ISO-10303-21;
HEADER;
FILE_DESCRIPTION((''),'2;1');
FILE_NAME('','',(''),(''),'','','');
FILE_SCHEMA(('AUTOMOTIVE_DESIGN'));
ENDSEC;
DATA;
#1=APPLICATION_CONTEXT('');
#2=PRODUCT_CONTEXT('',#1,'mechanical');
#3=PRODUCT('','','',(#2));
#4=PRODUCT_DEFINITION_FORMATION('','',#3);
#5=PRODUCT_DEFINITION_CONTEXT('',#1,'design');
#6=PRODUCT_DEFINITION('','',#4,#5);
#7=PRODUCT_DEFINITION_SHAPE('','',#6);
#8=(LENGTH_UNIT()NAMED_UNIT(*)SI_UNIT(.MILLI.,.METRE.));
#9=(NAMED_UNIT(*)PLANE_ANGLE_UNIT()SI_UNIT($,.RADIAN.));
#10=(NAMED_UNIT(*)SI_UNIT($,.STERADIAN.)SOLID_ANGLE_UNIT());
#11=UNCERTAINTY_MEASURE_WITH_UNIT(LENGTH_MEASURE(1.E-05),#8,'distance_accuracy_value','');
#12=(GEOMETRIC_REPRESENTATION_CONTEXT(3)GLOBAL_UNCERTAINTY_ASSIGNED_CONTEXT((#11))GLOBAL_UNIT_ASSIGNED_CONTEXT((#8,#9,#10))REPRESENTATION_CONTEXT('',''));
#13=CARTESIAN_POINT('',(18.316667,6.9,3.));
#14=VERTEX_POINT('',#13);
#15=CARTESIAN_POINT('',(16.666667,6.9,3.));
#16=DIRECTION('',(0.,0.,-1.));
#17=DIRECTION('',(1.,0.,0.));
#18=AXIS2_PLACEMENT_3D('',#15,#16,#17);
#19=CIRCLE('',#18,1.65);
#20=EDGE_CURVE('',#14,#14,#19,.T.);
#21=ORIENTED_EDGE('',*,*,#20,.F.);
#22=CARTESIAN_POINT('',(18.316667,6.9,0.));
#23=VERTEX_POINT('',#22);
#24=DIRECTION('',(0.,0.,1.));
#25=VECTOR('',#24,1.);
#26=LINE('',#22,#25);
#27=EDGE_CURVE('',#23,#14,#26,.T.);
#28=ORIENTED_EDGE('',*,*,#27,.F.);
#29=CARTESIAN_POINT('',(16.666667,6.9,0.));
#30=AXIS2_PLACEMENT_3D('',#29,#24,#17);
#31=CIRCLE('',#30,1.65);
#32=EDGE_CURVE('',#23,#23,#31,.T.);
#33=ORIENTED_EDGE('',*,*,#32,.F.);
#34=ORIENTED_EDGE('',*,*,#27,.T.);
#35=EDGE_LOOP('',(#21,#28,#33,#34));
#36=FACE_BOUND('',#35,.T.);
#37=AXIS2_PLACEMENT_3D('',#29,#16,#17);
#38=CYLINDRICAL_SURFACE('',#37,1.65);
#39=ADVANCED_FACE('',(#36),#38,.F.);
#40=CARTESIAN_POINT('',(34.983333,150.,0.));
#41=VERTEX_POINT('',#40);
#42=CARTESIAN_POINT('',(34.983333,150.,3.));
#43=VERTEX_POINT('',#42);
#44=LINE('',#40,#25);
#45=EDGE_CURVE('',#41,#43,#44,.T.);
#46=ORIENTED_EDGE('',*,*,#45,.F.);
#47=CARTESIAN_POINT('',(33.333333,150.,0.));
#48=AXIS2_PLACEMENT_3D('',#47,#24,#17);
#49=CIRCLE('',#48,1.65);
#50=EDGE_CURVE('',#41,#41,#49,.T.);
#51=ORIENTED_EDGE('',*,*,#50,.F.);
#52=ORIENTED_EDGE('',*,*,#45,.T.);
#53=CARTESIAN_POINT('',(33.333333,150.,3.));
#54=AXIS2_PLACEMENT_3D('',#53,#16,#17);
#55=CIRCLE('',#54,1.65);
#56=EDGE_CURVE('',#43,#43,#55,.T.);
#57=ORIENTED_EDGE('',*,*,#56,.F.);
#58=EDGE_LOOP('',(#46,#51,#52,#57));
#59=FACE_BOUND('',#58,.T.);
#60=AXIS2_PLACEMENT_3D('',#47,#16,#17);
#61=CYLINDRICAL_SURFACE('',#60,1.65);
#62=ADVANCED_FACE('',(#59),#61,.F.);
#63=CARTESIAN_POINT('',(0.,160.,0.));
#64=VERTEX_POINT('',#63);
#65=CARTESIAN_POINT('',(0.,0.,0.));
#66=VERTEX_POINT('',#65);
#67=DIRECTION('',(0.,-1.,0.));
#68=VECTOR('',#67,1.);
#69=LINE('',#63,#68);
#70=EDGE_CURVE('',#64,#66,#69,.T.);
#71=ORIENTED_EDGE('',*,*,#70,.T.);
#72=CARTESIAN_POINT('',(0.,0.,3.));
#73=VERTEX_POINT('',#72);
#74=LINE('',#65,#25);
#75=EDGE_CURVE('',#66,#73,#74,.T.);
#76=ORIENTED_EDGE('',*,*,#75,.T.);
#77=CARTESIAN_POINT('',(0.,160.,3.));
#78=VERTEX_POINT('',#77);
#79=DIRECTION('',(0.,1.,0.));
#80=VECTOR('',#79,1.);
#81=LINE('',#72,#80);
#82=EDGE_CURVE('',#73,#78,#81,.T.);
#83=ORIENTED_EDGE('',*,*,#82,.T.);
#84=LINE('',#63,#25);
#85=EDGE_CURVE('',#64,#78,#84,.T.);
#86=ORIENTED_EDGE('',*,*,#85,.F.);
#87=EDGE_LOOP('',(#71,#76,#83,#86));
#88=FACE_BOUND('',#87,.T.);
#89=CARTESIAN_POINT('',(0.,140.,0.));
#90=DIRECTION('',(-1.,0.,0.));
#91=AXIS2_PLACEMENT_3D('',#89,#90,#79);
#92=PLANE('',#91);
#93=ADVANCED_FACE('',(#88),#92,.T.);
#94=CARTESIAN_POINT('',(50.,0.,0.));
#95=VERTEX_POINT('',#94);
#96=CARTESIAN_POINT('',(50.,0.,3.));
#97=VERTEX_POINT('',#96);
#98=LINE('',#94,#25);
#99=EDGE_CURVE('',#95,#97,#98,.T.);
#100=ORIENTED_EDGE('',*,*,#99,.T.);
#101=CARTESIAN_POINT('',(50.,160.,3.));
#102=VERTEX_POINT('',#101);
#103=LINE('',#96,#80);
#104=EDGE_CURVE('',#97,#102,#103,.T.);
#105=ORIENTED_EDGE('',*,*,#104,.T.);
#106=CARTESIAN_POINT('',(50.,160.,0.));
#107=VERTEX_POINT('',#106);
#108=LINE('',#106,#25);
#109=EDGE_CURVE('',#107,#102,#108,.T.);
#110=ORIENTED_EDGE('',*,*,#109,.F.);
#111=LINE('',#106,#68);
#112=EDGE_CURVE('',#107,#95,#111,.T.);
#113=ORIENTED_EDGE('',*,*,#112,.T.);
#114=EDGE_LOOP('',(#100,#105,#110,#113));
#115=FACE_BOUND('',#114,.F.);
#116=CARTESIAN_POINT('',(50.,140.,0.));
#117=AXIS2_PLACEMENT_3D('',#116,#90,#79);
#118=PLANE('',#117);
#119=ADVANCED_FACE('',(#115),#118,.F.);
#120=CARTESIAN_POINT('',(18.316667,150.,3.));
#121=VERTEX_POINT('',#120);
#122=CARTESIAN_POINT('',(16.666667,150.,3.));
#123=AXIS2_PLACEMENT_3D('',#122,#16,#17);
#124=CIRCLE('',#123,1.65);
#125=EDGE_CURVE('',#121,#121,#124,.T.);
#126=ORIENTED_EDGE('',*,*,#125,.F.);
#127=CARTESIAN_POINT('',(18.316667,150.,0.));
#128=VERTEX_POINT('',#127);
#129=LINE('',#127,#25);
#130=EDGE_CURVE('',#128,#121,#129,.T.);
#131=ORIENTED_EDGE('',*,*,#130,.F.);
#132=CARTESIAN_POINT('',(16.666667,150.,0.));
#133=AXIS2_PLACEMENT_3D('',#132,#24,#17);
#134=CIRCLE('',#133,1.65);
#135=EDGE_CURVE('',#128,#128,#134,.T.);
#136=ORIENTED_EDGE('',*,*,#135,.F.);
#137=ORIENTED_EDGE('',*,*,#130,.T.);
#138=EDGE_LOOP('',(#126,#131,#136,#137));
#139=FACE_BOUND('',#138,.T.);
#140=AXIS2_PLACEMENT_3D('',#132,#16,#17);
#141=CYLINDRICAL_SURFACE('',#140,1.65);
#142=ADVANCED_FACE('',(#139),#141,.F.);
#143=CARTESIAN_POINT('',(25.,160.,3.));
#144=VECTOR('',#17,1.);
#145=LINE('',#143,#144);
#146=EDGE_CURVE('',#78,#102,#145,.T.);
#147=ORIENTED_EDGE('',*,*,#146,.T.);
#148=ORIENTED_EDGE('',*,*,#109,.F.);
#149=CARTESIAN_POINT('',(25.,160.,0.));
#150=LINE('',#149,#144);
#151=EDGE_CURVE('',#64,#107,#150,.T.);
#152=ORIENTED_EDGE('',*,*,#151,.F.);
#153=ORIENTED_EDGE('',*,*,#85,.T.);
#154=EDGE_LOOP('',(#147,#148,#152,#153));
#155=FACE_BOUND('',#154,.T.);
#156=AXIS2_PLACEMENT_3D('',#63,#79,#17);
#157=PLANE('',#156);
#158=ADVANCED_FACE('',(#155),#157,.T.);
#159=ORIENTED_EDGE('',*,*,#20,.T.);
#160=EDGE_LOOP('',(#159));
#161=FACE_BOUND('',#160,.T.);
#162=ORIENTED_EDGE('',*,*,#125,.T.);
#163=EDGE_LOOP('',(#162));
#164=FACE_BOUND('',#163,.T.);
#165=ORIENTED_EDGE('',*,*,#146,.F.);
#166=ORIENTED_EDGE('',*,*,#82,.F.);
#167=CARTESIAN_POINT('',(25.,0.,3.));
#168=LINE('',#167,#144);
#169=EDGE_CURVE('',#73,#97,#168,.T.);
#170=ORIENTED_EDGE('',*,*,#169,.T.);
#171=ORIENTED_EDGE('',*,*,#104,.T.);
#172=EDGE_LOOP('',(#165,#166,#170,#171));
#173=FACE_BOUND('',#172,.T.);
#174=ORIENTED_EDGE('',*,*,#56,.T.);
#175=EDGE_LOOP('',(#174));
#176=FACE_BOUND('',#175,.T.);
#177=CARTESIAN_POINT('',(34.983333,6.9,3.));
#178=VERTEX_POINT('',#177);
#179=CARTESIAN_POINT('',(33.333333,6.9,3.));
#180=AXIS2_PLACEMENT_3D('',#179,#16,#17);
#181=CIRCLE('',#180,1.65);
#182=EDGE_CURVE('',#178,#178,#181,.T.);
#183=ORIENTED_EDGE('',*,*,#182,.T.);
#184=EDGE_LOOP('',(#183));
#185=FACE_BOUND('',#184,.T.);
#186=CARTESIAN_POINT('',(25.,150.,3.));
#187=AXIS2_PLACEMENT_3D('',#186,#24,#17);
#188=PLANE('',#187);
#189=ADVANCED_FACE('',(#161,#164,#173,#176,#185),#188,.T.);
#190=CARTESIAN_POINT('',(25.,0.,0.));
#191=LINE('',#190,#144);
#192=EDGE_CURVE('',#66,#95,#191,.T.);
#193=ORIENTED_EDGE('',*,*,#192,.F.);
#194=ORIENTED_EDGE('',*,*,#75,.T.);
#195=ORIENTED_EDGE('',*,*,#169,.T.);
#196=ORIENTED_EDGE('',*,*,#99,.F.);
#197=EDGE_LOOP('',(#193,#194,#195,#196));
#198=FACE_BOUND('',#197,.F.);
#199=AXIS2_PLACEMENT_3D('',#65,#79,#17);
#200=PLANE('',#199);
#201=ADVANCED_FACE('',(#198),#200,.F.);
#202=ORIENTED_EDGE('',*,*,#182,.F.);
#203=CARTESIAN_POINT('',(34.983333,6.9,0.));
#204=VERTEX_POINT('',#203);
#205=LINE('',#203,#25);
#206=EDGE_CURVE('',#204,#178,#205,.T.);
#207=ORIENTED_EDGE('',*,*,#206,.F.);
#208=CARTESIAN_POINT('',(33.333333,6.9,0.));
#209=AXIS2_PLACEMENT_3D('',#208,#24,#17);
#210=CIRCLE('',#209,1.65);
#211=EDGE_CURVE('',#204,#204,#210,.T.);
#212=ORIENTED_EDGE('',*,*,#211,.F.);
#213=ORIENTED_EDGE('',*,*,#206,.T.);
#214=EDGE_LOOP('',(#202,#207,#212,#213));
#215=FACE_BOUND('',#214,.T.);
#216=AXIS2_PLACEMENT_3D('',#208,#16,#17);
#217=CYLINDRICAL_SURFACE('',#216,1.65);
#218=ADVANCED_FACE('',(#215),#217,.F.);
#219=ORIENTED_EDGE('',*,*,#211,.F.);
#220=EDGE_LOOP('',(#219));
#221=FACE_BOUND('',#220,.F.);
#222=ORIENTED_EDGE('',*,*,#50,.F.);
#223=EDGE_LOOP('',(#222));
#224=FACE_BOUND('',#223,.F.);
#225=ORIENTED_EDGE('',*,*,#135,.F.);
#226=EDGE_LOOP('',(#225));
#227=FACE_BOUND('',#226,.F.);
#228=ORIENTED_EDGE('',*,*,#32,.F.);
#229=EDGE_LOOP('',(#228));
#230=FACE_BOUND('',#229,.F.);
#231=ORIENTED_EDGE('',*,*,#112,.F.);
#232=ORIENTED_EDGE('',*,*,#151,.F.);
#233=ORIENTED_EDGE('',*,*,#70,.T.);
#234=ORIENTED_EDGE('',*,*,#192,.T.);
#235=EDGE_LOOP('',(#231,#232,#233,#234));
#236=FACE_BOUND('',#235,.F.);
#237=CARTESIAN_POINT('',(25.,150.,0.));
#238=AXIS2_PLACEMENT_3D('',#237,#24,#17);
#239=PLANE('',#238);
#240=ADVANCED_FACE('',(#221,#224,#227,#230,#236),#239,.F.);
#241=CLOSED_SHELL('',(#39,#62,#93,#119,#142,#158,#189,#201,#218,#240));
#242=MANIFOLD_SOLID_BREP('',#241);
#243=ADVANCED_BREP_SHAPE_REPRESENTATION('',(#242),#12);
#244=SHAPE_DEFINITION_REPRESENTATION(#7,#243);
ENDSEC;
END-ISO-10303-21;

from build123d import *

# Parameters (mm, degrees)
SKETCH001_W          = 50
SKETCH001_H          = 16.9
PAD_DEPTH            = 3
SKETCH002_W          = 50
SKETCH002_H          = 50
PAD001_DEPTH         = 3
SKETCH003_W          = 50
SKETCH003_H          = 20
PAD002_DEPTH         = 3
SKETCH004_W          = 50
SKETCH004_H          = 53.1
PAD003_DEPTH         = 3
SKETCH005_W          = 50
SKETCH005_H          = 20
PAD004_DEPTH         = 3
SKETCH006_R          = 1.65
POCKET_DEPTH         = 3.001
SKETCH_R             = 1.65
POCKET001_DEPTH      = 0.001
POCKET001_DEPTH_BACK = 3.001


with BuildPart() as part:
    # Sketch001 → Pad (new body)
    with BuildSketch(Plane.XY):
        with Locations((25, 8.45)):
            Rectangle(SKETCH001_W, SKETCH001_H)
    extrude(amount=PAD_DEPTH)

    # Sketch002 → Pad001 (join)
    with BuildSketch(Plane(origin=(0, 16.9, 0), x_dir=(1, 0, 0), z_dir=(0, 0, 1))):
        with Locations((25, 25)):
            Rectangle(SKETCH002_W, SKETCH002_H)
    extrude(amount=PAD001_DEPTH)

    # Sketch003 → Pad002 (join)
    with BuildSketch(Plane(origin=(0, 66.9, 0), x_dir=(1, 0, 0), z_dir=(0, 0, 1))):
        with Locations((25, 10)):
            Rectangle(SKETCH003_W, SKETCH003_H)
    extrude(amount=PAD002_DEPTH)

    # Sketch004 → Pad003 (join)
    with BuildSketch(Plane(origin=(0, 86.9, 0), x_dir=(1, 0, 0), z_dir=(0, 0, 1))):
        with Locations((25, 26.55)):
            Rectangle(SKETCH004_W, SKETCH004_H)
    extrude(amount=PAD003_DEPTH)

    # Sketch005 → Pad004 (join)
    with BuildSketch(Plane(origin=(0, 140, 0), x_dir=(1, 0, 0), z_dir=(0, 0, 1))):
        with Locations((25, 10)):
            Rectangle(SKETCH005_W, SKETCH005_H)
    extrude(amount=PAD004_DEPTH)

    # Sketch006 → Pocket (cut, through all)
    with BuildSketch(Plane.XY):
        with Locations((16.666667, 6.9)):
            Circle(SKETCH006_R)
        with Locations((33.333333, 6.9)):
            Circle(SKETCH006_R)
    extrude(amount=POCKET_DEPTH, mode=Mode.SUBTRACT)

    # Sketch → Pocket001 (cut, two sides)
    with BuildSketch(Plane(origin=(0, 140, 0), x_dir=(1, 0, 0), z_dir=(0, 0, 1))) as pocket001_sk:
        with Locations((16.666667, 10)):
            Circle(SKETCH_R)
        with Locations((33.333333, 10)):
            Circle(SKETCH_R)
    extrude(amount=-POCKET001_DEPTH, mode=Mode.SUBTRACT)
    extrude(pocket001_sk.sketch, amount=POCKET001_DEPTH_BACK, mode=Mode.SUBTRACT)


solid = part.part
